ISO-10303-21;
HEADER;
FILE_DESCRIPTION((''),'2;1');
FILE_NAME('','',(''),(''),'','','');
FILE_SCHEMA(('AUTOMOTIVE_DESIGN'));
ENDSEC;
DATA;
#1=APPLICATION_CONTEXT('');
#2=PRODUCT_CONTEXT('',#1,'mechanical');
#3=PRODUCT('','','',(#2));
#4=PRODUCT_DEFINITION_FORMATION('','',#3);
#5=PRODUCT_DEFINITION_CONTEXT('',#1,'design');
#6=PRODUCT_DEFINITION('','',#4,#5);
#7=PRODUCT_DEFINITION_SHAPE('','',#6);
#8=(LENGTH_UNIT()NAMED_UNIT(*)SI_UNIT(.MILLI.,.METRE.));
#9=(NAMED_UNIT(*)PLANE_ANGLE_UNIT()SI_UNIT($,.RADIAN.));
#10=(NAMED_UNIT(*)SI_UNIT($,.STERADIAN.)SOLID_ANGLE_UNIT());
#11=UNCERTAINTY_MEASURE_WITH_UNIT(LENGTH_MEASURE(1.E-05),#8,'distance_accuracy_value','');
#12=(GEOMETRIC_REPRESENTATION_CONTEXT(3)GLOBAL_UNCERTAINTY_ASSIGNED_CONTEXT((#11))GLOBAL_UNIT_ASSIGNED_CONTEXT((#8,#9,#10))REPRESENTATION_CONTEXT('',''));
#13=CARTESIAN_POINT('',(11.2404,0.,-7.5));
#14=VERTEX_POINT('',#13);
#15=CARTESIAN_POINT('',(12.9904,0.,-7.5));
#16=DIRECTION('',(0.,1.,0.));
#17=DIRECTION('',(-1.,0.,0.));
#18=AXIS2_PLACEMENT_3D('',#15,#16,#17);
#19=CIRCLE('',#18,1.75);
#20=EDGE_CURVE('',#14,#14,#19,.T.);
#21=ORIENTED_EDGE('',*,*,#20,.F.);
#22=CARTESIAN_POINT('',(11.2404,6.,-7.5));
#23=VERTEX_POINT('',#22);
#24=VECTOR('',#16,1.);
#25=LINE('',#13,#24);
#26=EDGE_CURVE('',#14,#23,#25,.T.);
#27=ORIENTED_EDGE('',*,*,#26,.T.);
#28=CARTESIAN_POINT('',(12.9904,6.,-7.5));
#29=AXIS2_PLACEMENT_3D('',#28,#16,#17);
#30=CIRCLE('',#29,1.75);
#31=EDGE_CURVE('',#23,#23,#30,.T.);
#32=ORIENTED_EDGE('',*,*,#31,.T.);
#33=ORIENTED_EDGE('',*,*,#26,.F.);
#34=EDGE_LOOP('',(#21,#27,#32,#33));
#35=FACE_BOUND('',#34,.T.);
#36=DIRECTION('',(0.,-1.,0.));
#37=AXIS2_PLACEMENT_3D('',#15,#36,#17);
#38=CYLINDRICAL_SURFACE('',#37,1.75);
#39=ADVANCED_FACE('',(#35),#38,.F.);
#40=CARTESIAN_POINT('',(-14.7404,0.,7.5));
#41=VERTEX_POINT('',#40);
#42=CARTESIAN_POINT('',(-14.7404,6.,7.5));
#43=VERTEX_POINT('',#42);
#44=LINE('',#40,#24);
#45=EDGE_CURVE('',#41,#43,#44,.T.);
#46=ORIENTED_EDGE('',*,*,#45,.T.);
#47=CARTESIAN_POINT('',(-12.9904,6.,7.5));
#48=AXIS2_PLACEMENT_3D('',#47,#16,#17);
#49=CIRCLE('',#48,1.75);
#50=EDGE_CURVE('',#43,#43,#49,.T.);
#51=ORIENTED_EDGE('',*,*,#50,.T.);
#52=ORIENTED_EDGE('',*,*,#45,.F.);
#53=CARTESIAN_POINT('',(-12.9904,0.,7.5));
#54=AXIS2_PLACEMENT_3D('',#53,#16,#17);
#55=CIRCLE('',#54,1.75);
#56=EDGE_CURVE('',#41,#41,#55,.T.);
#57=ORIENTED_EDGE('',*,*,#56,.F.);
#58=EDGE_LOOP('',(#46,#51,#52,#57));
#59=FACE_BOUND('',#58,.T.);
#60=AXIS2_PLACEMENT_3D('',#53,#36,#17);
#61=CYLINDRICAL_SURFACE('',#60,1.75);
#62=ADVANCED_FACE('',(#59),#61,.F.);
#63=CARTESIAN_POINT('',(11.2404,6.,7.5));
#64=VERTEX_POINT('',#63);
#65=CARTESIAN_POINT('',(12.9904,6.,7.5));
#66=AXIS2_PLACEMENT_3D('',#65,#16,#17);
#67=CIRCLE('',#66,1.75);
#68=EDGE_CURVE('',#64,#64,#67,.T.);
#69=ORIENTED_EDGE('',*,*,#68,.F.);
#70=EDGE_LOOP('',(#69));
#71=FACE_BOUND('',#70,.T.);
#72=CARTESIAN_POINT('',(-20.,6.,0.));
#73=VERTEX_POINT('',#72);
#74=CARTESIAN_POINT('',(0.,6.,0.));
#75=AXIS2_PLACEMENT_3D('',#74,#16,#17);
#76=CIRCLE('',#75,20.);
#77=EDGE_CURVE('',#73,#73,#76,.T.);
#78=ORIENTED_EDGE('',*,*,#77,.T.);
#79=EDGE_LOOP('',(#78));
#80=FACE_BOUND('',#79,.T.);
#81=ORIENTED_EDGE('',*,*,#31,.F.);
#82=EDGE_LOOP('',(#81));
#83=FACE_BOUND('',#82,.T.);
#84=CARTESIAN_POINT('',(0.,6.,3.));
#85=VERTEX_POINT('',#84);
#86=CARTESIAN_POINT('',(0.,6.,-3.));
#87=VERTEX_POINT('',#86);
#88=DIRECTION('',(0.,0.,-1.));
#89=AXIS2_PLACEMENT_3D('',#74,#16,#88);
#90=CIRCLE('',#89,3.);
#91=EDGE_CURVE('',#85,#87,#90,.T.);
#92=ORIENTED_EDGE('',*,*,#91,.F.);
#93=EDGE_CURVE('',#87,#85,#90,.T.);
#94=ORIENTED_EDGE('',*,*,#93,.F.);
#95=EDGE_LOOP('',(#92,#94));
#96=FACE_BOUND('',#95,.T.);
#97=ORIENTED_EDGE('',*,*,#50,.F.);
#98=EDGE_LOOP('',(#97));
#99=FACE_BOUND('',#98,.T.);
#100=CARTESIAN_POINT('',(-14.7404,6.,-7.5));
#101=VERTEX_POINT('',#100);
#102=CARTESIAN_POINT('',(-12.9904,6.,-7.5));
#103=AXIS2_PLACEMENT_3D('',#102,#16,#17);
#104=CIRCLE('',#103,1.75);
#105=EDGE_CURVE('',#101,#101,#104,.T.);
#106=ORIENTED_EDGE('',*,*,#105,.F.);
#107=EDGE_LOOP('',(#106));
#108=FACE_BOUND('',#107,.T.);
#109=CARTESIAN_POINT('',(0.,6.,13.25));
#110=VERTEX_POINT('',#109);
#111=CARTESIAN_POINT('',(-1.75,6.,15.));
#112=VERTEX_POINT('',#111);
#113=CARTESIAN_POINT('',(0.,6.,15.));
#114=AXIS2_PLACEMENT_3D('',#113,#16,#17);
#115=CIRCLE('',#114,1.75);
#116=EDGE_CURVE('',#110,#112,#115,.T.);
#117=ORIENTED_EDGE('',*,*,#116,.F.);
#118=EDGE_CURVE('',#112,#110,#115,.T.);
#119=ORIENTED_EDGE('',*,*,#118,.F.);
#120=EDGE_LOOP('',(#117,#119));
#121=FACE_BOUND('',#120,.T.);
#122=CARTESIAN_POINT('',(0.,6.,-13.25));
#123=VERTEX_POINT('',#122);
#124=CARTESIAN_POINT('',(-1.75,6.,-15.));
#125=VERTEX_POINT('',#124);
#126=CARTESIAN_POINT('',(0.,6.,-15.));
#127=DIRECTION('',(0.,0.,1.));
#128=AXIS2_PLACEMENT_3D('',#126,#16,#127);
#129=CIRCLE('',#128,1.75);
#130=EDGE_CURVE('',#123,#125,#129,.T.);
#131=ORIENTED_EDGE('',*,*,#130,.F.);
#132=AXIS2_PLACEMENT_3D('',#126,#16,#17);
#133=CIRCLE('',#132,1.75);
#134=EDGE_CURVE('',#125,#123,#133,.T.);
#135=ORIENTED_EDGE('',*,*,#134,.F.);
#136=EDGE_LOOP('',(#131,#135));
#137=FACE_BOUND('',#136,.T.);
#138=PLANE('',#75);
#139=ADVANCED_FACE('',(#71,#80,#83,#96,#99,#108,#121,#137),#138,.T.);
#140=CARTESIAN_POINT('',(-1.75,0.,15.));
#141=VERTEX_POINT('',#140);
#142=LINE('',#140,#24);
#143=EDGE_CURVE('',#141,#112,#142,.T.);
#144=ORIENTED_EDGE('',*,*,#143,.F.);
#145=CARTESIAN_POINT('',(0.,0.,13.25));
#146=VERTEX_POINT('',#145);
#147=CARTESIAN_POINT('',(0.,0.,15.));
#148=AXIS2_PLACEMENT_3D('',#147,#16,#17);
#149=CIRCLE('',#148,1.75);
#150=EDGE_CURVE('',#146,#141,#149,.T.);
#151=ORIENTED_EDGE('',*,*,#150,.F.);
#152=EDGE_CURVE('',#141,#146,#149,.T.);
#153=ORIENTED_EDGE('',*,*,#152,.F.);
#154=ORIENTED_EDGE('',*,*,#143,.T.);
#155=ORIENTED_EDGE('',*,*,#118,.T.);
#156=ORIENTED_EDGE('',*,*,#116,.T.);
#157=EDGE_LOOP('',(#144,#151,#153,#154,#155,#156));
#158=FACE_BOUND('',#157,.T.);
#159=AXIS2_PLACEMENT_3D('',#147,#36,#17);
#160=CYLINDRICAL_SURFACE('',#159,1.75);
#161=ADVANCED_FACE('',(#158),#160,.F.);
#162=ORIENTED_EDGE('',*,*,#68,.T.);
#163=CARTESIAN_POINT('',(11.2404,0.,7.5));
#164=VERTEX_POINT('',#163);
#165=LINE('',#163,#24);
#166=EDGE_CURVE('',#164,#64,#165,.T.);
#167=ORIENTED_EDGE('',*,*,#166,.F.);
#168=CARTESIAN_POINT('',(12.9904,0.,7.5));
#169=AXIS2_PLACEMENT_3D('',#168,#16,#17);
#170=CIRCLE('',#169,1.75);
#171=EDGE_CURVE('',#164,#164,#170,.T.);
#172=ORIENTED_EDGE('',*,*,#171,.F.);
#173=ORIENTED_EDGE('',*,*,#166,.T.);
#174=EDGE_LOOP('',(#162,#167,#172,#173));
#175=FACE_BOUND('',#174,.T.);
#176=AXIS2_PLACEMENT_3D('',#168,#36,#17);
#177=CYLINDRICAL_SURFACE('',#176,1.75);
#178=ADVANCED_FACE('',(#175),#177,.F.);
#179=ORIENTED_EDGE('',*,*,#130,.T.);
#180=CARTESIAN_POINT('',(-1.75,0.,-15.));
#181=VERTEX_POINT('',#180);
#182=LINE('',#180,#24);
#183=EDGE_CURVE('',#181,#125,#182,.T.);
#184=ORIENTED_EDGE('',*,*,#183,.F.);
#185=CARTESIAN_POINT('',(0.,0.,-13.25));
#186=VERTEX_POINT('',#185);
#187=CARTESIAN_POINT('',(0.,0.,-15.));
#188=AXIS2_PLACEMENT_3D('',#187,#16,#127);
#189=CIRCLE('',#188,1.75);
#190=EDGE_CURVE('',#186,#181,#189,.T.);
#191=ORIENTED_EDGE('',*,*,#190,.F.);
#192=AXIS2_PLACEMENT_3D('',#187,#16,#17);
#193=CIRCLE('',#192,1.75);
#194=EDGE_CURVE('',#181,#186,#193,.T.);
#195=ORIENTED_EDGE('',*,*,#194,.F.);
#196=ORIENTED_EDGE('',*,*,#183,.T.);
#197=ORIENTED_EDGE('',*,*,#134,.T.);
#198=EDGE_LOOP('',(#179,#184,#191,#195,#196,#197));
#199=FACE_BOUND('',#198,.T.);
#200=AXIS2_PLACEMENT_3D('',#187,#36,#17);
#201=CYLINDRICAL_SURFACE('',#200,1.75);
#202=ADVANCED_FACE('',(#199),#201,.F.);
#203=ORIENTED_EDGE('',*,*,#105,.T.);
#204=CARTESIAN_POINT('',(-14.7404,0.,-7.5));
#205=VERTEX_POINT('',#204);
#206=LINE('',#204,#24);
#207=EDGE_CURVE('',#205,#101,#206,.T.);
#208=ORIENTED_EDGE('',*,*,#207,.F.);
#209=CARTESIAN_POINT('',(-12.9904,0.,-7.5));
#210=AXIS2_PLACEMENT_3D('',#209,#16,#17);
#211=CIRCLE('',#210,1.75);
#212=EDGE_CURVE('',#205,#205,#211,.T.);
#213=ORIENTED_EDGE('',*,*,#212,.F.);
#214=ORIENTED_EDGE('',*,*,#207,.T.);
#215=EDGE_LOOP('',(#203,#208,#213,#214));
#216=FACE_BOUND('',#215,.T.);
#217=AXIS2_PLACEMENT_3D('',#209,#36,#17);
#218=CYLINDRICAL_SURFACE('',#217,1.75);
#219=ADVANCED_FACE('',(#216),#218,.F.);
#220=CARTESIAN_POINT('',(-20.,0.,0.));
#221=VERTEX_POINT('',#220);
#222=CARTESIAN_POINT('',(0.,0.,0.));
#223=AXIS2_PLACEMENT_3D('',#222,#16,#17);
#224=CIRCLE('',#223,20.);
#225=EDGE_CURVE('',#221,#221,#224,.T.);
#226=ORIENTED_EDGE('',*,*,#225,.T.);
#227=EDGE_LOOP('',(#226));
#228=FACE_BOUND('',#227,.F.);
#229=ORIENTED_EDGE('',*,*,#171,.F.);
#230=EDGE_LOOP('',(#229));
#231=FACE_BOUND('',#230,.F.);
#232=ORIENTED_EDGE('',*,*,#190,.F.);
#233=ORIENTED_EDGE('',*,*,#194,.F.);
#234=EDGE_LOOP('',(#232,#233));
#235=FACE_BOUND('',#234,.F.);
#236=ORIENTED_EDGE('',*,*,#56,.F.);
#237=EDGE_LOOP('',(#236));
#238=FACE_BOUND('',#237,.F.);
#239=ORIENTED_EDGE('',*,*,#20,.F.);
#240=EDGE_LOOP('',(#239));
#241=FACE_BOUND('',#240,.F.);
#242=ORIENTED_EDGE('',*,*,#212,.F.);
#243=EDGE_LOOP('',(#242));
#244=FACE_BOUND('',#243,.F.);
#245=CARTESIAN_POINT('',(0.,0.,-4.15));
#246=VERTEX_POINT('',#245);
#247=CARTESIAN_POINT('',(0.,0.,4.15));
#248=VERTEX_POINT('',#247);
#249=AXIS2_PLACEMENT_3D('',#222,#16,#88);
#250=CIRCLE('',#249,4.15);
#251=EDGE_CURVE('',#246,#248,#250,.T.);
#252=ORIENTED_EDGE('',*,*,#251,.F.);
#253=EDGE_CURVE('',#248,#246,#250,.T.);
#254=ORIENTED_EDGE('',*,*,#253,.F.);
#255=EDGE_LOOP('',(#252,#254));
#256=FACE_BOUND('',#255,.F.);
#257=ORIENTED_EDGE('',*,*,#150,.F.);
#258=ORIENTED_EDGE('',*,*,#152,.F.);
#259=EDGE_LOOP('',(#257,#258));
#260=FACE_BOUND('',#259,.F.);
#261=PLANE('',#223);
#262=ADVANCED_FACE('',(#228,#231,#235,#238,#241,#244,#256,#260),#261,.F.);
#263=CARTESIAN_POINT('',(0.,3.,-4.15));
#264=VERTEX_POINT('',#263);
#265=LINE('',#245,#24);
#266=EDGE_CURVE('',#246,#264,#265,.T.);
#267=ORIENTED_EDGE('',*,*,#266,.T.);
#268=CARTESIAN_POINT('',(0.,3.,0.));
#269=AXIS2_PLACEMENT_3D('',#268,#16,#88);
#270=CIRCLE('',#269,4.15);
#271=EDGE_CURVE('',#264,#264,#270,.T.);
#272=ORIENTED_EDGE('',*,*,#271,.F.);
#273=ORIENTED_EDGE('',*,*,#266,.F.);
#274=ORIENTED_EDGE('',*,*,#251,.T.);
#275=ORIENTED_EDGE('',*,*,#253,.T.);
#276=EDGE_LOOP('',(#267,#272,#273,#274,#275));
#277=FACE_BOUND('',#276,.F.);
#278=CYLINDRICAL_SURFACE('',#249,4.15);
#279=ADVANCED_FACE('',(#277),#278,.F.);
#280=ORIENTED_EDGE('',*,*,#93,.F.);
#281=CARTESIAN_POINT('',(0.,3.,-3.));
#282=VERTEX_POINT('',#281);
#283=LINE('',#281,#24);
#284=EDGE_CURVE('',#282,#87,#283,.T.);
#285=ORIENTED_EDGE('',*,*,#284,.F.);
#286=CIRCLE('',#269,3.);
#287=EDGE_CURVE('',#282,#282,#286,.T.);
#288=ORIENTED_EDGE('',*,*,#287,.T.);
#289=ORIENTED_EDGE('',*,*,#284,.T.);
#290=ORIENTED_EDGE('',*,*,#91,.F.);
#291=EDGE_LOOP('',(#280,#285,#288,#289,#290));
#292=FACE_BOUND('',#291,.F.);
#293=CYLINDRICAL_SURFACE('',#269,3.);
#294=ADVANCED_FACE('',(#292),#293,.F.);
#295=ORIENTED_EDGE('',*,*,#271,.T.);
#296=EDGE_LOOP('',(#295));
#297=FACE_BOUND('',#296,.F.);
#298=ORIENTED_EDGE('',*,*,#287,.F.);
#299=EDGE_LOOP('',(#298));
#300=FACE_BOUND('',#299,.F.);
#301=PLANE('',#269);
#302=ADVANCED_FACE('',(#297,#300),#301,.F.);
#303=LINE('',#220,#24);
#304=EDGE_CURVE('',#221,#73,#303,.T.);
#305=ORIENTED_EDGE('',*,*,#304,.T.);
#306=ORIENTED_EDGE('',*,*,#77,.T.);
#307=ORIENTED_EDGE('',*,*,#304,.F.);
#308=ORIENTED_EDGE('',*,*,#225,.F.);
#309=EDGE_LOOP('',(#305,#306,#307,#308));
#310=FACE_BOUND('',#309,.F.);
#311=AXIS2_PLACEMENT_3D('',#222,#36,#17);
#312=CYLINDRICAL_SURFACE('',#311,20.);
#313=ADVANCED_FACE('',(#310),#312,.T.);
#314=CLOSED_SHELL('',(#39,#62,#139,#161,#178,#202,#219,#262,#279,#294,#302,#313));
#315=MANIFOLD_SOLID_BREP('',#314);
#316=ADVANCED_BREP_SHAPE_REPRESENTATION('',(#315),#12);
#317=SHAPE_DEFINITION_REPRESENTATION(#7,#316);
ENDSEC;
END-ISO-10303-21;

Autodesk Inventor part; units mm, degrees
ref_plane "YZ Plane" through (0, 0, 0) normal (1, 0, 0) x (0, 1, 0)
ref_plane "XZ Plane" through (0, 0, 0) normal (0, 1, 0) x (-1, 0, 0)
ref_plane "XY Plane" through (0, 0, 0) normal (0, 0, 1) x (1, 0, 0)
sketch "Sketch1" plane through (0, 0, 0) normal (0, 1, 0) x (-1, 0, 0)
  line L0 (0, 19.2079) -> (0, -17.6939)
  line L1 (15.5822, 0) -> (-14.7998, 0)
  circle A0 centre (0, 0) radius 3
  circle A1 centre (0, -15) radius 1.75
  circle A2 centre (0, 0) radius 20
  circle A3 centre (0, -15) radius 4 construction
  circle A4 centre (0, -15) radius 7 construction
  circle A5 centre (12.9904, -7.5) radius 1.75
  circle A6 centre (12.9904, -7.5) radius 4 construction
  circle A7 centre (12.9904, -7.5) radius 7 construction
  circle A8 centre (12.9904, 7.5) radius 1.75
  circle A9 centre (12.9904, 7.5) radius 4 construction
  circle A10 centre (12.9904, 7.5) radius 7 construction
  circle A11 centre (0, 15) radius 1.75
  circle A12 centre (0, 15) radius 4 construction
  circle A13 centre (0, 15) radius 7 construction
  circle A14 centre (-12.9904, 7.5) radius 1.75
  circle A15 centre (-12.9904, 7.5) radius 4 construction
  circle A16 centre (-12.9904, 7.5) radius 7 construction
  circle A17 centre (-12.9904, -7.5) radius 1.75
  circle A18 centre (-12.9904, -7.5) radius 4 construction
  circle A19 centre (-12.9904, -7.5) radius 7 construction
  circle A20 centre (0, 0) radius 4 construction
  point P0 (15.3234, -8.847)
  point P1 (15.3234, 8.847)
  point P2 (0, 17.6939)
  point P3 (-15.3234, 8.847)
  point P4 (-15.3234, -8.847)
  dimension "d0" = 6
  dimension "d1" = 3.5
  dimension "d2" = 15
  dimension "d3" = 40
  dimension "d4" = 8
  dimension "d5" = 3
  dimension "d8" = 360
  dimension "d12" = 8
extrude "Extrusion1" add sketch "Sketch1" along normal blind 6 contours A0 L1 L0 | L0 L1 A0 | L1 A0 L0 | L0 A0 L1 | A2
hole "Hole1" at (0, 0, 0) direction (0, 1, 0) diameter 6 end through all counterbore diameter 8.3 counterbore depth 3
properties part number "center-machine-v2-cap"
